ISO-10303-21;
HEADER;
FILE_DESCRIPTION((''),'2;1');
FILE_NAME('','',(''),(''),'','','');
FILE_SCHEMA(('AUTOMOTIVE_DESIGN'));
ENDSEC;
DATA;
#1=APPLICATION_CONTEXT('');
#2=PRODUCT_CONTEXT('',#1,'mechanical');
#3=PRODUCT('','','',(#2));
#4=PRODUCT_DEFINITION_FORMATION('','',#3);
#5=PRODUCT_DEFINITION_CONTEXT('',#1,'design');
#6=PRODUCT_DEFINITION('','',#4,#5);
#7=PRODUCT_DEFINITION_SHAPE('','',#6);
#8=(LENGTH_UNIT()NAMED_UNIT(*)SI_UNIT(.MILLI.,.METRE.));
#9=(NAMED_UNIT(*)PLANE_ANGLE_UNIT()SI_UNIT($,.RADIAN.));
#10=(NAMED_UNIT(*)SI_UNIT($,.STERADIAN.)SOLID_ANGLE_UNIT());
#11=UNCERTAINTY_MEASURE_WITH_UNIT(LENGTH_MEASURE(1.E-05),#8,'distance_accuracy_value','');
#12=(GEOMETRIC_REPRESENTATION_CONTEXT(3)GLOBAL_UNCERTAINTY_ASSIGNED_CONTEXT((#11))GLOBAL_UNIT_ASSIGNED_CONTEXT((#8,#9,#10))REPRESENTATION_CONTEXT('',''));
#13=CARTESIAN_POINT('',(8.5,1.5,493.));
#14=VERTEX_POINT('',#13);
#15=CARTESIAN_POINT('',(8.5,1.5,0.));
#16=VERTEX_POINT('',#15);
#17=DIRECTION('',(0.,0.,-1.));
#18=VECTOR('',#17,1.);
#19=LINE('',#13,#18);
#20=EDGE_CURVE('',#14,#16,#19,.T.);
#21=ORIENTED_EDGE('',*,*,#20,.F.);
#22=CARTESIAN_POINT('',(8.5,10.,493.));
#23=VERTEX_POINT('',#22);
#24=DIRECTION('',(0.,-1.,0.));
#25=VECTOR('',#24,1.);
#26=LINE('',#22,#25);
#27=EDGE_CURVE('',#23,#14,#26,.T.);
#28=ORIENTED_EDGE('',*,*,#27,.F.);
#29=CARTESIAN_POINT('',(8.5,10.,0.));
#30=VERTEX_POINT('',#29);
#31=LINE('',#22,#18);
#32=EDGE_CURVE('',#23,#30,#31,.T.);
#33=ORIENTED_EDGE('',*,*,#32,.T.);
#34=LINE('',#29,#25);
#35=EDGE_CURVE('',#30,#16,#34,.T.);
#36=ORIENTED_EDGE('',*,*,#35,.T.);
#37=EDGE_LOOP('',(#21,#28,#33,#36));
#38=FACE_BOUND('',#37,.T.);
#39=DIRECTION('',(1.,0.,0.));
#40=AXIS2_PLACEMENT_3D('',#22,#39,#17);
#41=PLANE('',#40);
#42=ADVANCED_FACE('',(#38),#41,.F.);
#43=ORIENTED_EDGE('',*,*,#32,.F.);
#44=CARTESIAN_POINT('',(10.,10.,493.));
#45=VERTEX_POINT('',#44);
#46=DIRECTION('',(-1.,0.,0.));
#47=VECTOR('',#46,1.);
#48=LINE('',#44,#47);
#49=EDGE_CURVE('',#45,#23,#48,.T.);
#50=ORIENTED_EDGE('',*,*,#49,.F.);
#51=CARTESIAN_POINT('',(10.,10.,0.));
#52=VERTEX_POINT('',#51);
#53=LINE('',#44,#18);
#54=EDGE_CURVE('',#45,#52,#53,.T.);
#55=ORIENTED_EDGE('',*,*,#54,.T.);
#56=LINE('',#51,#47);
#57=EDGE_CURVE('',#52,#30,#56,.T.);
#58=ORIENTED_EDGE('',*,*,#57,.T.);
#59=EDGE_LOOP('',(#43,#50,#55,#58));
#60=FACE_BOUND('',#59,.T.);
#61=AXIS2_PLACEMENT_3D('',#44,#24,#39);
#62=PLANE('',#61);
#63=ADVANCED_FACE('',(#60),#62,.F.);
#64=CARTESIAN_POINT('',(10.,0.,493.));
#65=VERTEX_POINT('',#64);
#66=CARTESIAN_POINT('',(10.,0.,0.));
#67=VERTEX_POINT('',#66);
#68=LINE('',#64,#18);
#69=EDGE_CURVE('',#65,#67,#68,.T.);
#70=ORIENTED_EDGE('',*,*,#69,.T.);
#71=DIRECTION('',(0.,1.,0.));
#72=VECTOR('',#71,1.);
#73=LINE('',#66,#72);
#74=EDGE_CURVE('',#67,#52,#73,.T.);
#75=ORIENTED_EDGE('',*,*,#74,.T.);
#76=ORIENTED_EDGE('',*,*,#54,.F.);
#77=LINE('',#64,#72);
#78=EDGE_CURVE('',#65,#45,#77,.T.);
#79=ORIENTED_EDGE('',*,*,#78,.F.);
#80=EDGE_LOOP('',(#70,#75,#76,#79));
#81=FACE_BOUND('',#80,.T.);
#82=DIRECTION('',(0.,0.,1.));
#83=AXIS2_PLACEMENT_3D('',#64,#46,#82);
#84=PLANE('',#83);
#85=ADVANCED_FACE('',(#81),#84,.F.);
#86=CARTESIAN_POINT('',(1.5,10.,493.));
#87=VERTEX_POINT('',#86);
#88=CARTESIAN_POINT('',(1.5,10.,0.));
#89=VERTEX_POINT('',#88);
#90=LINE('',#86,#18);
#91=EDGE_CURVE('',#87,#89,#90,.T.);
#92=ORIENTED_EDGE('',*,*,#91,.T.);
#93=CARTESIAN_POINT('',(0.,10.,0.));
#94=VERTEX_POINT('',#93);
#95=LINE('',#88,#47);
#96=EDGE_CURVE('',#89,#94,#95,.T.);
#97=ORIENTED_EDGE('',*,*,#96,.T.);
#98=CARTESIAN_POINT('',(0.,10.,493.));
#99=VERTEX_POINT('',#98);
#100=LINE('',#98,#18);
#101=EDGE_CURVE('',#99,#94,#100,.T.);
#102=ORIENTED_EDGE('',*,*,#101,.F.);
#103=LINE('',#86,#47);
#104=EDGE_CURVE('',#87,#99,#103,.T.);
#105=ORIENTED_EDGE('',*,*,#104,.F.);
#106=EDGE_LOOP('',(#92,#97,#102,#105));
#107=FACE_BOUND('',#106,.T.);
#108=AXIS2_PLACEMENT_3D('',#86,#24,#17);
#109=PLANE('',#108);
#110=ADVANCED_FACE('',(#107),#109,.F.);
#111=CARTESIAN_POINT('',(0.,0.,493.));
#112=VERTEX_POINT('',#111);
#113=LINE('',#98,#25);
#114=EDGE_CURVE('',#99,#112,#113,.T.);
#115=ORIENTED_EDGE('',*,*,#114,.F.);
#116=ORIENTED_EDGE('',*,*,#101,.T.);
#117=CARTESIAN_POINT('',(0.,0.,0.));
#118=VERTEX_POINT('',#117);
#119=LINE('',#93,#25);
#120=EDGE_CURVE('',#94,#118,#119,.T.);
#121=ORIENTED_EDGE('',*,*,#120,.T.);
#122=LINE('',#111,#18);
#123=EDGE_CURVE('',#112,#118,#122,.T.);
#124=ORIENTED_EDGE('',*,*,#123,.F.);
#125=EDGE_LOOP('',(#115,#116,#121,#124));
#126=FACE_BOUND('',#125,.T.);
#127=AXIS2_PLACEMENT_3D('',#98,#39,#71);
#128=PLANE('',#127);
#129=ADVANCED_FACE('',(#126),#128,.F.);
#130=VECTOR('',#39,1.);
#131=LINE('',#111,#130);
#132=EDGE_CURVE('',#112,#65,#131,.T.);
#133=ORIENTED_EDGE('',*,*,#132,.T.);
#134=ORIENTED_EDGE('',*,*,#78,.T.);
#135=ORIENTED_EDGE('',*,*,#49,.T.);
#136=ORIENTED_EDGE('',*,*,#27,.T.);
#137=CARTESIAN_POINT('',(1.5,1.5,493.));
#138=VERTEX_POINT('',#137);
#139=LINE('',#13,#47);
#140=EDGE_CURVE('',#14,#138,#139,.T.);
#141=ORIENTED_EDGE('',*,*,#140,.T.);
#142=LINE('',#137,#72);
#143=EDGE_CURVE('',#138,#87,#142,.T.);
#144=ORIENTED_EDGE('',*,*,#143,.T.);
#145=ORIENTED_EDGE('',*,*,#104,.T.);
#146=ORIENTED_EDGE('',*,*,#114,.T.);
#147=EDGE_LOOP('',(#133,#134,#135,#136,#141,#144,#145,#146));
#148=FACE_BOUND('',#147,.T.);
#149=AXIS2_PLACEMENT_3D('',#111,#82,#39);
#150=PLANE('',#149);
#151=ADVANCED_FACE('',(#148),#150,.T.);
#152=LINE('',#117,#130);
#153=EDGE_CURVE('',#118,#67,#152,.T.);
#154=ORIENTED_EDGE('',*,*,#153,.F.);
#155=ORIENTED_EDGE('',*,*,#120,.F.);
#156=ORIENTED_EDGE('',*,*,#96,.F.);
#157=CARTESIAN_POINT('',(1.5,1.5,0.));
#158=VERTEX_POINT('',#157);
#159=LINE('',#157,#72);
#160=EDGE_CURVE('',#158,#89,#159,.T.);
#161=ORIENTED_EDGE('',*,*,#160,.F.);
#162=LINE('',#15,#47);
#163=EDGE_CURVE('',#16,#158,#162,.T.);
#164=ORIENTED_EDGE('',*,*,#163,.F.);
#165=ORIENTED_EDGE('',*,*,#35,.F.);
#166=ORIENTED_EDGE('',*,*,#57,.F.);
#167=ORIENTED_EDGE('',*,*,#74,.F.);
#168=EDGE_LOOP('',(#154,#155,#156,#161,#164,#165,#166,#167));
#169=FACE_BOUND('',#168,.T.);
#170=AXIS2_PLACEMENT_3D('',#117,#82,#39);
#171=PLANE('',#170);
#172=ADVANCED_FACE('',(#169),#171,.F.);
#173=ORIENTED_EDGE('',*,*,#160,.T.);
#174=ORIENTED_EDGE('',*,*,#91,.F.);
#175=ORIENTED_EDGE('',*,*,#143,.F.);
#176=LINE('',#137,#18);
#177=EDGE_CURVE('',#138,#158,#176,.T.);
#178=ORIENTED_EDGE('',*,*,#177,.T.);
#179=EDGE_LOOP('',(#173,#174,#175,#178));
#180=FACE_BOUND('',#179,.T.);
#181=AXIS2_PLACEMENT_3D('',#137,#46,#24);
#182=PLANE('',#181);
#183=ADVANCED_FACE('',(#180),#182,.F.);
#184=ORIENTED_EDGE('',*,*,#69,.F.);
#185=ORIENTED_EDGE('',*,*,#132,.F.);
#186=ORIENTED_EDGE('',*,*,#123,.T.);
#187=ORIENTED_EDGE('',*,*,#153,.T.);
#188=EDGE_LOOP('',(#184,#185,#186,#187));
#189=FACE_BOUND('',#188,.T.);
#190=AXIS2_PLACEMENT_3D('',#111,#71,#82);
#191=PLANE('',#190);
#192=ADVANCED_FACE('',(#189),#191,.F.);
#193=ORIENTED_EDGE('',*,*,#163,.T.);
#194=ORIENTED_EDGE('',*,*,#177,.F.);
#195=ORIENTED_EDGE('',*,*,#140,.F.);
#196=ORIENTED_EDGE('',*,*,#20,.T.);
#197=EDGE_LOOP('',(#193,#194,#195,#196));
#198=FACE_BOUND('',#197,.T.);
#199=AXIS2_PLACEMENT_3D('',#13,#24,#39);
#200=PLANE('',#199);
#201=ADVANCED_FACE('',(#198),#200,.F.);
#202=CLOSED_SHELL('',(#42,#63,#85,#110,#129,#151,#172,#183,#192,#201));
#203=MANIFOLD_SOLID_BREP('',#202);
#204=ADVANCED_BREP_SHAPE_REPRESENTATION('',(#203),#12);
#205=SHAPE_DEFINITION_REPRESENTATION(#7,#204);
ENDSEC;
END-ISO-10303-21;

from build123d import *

# Parameters (mm, degrees)
EXTRUDE_1_DEPTH = 493


with BuildPart() as part:
    # Эскиз1 → Бобышка-Вытянуть1 (new body)
    with BuildSketch(Plane.XY):
        Polygon((0, 0), (10, 0), (10, 10), (8.5, 10), (8.5, 1.5), (1.5, 1.5), (1.5, 10), (0, 10), align=None)
    extrude(amount=EXTRUDE_1_DEPTH)


solid = part.part
